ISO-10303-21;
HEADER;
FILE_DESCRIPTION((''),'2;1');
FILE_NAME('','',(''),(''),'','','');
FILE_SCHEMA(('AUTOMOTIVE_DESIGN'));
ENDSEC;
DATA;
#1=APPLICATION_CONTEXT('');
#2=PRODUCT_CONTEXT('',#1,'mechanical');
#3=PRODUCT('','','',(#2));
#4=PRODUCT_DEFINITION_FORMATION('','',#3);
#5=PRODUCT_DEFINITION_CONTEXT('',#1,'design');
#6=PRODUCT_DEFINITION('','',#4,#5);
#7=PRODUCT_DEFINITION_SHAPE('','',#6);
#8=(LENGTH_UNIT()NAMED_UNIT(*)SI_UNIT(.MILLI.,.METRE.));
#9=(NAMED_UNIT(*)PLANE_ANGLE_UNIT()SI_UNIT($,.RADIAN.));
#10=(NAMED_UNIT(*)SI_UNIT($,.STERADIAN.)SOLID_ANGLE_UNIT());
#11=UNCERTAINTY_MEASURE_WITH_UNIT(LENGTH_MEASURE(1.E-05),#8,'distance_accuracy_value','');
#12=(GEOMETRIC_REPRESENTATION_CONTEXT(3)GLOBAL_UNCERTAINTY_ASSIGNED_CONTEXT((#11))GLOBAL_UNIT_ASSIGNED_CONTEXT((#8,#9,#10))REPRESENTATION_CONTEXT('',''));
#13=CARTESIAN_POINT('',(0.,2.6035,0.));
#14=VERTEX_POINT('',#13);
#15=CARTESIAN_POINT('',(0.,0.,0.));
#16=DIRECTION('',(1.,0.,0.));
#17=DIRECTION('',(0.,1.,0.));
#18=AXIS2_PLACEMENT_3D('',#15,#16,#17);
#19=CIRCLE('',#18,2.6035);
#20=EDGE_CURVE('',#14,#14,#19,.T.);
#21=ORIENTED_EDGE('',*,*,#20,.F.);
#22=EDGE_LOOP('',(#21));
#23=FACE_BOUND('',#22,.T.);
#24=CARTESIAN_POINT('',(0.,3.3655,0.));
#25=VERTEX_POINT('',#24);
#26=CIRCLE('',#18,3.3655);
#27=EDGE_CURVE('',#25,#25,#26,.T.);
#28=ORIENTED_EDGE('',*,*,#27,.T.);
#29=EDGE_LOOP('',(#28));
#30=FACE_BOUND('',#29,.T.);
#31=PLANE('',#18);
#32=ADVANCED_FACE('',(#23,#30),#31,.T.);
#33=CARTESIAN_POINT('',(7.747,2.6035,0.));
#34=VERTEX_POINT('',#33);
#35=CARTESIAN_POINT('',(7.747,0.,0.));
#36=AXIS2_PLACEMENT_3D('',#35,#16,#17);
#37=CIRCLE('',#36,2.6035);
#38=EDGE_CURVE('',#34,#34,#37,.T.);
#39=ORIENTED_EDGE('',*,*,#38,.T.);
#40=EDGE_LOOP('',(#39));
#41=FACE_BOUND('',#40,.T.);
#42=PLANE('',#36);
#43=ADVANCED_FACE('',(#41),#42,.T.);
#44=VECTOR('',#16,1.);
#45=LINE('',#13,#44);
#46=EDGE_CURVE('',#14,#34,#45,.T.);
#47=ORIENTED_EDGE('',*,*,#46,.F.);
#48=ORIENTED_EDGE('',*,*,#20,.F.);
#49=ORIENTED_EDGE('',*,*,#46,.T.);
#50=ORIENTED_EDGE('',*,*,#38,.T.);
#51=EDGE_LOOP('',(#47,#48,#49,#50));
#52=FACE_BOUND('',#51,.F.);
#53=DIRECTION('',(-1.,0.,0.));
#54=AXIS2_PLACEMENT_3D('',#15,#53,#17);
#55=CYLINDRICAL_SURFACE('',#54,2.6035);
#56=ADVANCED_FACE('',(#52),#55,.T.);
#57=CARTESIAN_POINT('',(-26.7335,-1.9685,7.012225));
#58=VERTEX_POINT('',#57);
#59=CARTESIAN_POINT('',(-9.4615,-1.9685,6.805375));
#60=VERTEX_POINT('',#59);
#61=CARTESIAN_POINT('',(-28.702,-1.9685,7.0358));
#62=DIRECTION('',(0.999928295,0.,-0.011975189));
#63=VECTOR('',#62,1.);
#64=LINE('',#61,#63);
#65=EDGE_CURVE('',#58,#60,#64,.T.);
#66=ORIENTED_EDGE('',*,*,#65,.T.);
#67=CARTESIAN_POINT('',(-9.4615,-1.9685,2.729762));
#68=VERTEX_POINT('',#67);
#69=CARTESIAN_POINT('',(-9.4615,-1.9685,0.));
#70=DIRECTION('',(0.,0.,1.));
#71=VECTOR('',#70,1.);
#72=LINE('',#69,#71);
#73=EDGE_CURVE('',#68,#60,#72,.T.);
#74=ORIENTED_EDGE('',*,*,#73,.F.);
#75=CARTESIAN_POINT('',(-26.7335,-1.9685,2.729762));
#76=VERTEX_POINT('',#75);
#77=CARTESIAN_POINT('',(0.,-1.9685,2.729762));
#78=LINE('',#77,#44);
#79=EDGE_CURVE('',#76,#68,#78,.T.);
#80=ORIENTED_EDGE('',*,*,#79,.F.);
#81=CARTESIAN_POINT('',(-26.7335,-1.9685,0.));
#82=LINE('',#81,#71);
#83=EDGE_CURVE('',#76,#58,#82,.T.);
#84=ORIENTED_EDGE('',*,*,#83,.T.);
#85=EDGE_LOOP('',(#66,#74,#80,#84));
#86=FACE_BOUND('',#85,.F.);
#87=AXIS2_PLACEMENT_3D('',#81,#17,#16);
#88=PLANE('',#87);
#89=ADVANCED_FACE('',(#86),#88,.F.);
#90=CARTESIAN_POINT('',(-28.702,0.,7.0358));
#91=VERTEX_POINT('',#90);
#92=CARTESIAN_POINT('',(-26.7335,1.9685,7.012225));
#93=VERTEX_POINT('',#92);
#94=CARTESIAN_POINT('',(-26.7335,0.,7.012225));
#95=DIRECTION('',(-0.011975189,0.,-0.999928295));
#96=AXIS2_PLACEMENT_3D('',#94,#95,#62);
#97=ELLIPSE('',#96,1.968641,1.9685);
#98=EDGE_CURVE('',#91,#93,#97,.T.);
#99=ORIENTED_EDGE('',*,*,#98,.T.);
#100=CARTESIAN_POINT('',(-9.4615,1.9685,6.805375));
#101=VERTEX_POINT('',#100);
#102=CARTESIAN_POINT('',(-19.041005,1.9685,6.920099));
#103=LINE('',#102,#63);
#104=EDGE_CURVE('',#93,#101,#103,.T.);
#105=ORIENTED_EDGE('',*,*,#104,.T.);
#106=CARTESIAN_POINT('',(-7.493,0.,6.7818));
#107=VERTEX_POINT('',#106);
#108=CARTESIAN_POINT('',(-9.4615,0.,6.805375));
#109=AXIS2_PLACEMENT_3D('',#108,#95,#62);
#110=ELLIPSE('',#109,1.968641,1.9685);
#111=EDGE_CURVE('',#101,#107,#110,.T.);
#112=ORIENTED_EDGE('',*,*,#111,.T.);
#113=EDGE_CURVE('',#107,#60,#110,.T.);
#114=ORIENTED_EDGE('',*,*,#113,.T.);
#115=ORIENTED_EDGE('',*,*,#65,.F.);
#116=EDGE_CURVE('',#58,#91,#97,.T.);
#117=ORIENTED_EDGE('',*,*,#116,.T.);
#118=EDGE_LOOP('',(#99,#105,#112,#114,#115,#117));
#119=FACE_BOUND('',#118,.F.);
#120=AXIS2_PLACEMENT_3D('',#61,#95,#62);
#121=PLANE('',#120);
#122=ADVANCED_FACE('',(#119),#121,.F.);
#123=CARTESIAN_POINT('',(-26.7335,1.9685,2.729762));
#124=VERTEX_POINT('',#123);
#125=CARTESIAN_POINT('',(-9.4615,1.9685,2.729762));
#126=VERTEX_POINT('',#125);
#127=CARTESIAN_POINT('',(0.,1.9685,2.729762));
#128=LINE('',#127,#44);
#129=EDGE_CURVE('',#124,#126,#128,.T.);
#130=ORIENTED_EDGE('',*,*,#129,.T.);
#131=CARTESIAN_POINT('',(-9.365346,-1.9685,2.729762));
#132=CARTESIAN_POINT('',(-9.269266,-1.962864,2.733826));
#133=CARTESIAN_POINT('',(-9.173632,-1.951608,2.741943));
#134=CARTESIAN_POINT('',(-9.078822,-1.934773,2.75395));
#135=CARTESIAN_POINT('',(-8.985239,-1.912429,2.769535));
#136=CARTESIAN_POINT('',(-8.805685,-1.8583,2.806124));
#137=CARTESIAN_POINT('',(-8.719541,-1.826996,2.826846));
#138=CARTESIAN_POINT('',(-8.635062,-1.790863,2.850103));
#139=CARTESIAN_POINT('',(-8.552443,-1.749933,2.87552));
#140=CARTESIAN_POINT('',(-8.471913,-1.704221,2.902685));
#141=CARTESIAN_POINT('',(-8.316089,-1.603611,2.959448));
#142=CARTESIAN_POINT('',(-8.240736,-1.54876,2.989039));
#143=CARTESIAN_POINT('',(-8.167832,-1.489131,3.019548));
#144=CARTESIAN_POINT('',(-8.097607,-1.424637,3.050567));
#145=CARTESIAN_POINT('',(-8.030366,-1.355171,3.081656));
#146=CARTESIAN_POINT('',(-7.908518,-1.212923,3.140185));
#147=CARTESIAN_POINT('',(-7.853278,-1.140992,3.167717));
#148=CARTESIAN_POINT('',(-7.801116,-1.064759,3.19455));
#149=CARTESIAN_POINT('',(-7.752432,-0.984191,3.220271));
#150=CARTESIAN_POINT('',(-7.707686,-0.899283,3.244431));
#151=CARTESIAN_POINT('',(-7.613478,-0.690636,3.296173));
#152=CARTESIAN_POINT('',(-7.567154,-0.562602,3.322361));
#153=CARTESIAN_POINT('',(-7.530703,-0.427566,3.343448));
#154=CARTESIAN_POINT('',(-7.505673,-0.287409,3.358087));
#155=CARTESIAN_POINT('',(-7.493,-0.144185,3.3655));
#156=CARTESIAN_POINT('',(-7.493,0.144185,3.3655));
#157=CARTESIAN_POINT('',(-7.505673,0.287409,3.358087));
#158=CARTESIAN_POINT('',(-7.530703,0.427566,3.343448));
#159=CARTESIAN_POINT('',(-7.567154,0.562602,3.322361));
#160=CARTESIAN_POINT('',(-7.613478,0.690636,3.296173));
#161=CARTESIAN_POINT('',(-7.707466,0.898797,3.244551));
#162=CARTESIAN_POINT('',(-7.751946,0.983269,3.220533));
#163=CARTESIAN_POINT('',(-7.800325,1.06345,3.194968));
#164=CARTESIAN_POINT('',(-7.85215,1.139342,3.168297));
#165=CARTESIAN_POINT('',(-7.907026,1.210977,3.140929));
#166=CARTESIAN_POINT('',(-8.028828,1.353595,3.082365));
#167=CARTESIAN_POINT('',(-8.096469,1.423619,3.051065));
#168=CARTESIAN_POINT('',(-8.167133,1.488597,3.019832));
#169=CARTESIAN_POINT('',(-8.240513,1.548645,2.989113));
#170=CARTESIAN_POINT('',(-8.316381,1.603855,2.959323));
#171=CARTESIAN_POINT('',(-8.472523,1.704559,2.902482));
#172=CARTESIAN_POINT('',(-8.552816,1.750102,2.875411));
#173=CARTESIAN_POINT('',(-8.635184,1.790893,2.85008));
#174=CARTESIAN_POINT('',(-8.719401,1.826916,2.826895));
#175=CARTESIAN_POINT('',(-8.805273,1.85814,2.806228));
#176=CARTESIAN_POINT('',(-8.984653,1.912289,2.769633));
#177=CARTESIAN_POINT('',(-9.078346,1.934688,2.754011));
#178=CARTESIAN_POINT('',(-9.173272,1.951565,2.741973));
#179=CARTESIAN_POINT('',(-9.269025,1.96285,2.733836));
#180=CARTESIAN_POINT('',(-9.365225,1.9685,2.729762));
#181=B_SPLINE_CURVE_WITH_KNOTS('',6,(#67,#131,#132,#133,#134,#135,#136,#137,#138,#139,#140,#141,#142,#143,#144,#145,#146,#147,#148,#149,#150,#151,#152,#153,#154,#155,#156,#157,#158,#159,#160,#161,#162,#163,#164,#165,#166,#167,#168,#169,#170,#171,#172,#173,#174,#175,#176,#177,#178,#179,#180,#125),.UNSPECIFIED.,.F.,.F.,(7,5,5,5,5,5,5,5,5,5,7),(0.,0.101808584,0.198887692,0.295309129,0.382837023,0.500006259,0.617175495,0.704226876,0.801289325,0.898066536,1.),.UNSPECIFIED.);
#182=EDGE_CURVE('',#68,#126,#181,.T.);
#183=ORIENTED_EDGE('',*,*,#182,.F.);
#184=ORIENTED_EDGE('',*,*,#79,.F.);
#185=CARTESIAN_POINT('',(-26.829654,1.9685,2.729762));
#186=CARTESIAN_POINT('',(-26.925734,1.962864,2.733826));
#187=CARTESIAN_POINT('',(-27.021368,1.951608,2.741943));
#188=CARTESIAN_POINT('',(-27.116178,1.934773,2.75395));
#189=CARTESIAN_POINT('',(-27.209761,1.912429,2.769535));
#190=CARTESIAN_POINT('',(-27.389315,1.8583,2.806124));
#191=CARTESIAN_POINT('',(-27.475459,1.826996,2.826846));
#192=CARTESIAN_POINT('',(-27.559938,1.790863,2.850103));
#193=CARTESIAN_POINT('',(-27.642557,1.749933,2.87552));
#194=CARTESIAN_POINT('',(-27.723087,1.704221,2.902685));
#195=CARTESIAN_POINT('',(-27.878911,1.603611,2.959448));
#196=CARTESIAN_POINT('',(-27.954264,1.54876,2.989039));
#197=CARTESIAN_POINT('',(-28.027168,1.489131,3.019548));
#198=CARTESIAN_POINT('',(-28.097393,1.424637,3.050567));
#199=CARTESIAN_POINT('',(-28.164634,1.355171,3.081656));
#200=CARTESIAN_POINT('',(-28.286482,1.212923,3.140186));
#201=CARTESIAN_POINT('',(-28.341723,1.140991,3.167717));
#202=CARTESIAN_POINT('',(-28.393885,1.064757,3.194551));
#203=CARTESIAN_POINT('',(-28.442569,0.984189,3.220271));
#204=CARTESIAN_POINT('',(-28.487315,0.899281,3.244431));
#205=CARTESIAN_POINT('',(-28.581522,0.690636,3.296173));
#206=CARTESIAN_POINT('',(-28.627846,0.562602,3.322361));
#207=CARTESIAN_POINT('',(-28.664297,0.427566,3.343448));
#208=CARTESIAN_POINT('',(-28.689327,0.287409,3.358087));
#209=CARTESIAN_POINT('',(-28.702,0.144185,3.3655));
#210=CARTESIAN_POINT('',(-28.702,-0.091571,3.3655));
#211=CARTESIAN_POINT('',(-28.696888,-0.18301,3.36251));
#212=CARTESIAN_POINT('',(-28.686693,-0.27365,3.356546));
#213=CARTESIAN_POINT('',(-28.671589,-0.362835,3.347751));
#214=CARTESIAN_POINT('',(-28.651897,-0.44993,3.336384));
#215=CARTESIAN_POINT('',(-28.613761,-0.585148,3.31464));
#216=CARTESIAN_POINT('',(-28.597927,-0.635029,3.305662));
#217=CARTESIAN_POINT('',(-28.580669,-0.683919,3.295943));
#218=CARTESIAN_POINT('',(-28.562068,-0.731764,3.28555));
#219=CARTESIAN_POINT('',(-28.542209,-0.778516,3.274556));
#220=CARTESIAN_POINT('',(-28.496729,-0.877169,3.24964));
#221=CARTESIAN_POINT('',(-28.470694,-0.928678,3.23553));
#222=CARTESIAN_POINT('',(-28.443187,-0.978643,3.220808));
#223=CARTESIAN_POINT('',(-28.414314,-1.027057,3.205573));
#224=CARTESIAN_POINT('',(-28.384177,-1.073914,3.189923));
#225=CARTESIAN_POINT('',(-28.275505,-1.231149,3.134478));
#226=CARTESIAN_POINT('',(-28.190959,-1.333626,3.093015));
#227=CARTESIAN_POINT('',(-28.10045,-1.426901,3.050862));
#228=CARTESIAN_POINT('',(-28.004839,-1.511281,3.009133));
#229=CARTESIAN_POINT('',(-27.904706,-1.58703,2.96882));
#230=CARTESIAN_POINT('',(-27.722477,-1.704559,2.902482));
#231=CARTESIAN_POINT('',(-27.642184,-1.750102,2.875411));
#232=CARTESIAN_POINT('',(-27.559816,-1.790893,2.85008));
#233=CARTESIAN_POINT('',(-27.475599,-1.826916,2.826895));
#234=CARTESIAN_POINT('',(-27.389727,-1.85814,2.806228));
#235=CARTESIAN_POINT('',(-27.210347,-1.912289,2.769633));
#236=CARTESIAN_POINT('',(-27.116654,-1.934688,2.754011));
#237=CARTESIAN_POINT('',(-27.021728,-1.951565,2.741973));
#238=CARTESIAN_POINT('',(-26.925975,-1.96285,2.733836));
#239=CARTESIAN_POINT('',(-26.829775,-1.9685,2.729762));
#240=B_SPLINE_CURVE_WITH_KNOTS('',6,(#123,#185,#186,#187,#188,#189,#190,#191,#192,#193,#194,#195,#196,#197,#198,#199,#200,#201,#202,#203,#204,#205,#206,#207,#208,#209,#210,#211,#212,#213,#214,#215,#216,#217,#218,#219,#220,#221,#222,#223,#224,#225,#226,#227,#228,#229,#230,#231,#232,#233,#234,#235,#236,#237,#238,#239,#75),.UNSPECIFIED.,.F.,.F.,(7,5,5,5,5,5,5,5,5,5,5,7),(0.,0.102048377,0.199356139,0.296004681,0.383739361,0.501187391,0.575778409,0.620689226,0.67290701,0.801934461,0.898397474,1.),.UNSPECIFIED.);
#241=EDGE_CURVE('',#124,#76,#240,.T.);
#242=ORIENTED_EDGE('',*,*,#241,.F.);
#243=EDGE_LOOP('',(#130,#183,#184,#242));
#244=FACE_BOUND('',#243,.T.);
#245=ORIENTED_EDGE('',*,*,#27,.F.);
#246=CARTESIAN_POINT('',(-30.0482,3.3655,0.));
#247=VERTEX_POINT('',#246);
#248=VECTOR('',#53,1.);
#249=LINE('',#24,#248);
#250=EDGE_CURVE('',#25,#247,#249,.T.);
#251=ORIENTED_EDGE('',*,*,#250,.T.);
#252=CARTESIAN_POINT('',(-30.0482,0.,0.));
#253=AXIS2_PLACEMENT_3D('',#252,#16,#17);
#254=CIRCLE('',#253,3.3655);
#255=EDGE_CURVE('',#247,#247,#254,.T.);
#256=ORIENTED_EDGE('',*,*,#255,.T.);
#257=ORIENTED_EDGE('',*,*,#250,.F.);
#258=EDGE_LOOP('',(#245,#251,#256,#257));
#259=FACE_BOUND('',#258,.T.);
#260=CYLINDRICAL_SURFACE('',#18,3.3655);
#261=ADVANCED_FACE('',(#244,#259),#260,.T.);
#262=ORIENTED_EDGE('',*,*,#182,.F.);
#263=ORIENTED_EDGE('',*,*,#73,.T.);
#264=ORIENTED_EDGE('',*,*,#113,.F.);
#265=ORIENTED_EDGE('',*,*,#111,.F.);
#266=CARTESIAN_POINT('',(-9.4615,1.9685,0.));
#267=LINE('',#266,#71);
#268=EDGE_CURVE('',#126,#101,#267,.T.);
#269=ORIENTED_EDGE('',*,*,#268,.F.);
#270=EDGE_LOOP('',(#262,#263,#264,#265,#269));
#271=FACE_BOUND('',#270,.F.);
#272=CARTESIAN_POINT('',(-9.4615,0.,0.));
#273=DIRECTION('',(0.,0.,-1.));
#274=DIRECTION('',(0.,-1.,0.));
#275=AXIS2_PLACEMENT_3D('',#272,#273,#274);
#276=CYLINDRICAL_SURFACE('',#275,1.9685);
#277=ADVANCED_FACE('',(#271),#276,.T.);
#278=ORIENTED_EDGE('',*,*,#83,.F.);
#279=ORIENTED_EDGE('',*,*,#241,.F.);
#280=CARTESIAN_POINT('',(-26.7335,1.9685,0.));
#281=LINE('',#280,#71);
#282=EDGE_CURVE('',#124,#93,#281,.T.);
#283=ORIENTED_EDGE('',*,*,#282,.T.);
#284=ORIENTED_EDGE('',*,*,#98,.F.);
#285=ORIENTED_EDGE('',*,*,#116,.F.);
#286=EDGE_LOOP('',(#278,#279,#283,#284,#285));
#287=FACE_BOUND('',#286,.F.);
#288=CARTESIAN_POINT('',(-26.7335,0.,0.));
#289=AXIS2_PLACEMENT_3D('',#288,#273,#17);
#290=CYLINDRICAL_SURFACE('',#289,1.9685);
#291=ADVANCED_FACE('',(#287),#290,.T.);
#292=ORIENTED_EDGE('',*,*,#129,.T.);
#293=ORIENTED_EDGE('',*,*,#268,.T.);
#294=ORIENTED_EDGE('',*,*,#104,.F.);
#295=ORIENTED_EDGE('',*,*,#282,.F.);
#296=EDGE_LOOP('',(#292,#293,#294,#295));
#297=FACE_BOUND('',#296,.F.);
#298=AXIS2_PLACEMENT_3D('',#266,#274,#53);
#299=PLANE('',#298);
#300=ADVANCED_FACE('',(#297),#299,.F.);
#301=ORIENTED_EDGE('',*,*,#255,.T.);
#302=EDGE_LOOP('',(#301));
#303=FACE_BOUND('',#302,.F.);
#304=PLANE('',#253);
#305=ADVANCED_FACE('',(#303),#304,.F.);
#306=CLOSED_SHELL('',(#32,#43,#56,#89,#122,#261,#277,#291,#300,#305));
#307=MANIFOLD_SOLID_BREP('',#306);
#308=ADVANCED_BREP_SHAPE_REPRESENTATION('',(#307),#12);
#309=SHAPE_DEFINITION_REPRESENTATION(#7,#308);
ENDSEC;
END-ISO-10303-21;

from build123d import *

# Parameters (mm, degrees)
F0_R     = 3.3655
F1_DEPTH = 30.0482
F2_R     = 2.6035
F3_DEPTH = 7.747
F5_DEPTH = 7.0358
F7_DEPTH = 5.335


with BuildPart() as f1:
    # F0 (on Right) → F1 (new body)
    with BuildSketch(Plane.YZ):
        Circle(F0_R)
    extrude(amount=-F1_DEPTH)

    # F2 (on face) → F3 (join)
    with BuildSketch(Plane.YZ):
        Circle(F2_R)
    extrude(amount=F3_DEPTH)

    # F4 (on Top) → F5 (join)
    with BuildSketch(Plane.XY):
        with BuildLine():
            Line((-9.4615, 1.9685), (-26.7335, 1.9685))
            ThreePointArc((-26.7335, 1.9685), (-28.702, 0), (-26.7335, -1.9685))
            Line((-26.7335, -1.9685), (-9.4615, -1.9685))
            ThreePointArc((-9.4615, -1.9685), (-7.493, 0), (-9.4615, 1.9685))
        make_face()
    extrude(amount=F5_DEPTH)

    # F6 (on face) → F7 (cut, through all)
    with BuildSketch(Plane.XZ.offset(1.9685)):
        Polygon((-7.493, 7.0358), (-28.702, 7.0358), (-7.493, 6.7818), align=None)
    extrude(amount=-F7_DEPTH, mode=Mode.SUBTRACT)


solid = f1.part
